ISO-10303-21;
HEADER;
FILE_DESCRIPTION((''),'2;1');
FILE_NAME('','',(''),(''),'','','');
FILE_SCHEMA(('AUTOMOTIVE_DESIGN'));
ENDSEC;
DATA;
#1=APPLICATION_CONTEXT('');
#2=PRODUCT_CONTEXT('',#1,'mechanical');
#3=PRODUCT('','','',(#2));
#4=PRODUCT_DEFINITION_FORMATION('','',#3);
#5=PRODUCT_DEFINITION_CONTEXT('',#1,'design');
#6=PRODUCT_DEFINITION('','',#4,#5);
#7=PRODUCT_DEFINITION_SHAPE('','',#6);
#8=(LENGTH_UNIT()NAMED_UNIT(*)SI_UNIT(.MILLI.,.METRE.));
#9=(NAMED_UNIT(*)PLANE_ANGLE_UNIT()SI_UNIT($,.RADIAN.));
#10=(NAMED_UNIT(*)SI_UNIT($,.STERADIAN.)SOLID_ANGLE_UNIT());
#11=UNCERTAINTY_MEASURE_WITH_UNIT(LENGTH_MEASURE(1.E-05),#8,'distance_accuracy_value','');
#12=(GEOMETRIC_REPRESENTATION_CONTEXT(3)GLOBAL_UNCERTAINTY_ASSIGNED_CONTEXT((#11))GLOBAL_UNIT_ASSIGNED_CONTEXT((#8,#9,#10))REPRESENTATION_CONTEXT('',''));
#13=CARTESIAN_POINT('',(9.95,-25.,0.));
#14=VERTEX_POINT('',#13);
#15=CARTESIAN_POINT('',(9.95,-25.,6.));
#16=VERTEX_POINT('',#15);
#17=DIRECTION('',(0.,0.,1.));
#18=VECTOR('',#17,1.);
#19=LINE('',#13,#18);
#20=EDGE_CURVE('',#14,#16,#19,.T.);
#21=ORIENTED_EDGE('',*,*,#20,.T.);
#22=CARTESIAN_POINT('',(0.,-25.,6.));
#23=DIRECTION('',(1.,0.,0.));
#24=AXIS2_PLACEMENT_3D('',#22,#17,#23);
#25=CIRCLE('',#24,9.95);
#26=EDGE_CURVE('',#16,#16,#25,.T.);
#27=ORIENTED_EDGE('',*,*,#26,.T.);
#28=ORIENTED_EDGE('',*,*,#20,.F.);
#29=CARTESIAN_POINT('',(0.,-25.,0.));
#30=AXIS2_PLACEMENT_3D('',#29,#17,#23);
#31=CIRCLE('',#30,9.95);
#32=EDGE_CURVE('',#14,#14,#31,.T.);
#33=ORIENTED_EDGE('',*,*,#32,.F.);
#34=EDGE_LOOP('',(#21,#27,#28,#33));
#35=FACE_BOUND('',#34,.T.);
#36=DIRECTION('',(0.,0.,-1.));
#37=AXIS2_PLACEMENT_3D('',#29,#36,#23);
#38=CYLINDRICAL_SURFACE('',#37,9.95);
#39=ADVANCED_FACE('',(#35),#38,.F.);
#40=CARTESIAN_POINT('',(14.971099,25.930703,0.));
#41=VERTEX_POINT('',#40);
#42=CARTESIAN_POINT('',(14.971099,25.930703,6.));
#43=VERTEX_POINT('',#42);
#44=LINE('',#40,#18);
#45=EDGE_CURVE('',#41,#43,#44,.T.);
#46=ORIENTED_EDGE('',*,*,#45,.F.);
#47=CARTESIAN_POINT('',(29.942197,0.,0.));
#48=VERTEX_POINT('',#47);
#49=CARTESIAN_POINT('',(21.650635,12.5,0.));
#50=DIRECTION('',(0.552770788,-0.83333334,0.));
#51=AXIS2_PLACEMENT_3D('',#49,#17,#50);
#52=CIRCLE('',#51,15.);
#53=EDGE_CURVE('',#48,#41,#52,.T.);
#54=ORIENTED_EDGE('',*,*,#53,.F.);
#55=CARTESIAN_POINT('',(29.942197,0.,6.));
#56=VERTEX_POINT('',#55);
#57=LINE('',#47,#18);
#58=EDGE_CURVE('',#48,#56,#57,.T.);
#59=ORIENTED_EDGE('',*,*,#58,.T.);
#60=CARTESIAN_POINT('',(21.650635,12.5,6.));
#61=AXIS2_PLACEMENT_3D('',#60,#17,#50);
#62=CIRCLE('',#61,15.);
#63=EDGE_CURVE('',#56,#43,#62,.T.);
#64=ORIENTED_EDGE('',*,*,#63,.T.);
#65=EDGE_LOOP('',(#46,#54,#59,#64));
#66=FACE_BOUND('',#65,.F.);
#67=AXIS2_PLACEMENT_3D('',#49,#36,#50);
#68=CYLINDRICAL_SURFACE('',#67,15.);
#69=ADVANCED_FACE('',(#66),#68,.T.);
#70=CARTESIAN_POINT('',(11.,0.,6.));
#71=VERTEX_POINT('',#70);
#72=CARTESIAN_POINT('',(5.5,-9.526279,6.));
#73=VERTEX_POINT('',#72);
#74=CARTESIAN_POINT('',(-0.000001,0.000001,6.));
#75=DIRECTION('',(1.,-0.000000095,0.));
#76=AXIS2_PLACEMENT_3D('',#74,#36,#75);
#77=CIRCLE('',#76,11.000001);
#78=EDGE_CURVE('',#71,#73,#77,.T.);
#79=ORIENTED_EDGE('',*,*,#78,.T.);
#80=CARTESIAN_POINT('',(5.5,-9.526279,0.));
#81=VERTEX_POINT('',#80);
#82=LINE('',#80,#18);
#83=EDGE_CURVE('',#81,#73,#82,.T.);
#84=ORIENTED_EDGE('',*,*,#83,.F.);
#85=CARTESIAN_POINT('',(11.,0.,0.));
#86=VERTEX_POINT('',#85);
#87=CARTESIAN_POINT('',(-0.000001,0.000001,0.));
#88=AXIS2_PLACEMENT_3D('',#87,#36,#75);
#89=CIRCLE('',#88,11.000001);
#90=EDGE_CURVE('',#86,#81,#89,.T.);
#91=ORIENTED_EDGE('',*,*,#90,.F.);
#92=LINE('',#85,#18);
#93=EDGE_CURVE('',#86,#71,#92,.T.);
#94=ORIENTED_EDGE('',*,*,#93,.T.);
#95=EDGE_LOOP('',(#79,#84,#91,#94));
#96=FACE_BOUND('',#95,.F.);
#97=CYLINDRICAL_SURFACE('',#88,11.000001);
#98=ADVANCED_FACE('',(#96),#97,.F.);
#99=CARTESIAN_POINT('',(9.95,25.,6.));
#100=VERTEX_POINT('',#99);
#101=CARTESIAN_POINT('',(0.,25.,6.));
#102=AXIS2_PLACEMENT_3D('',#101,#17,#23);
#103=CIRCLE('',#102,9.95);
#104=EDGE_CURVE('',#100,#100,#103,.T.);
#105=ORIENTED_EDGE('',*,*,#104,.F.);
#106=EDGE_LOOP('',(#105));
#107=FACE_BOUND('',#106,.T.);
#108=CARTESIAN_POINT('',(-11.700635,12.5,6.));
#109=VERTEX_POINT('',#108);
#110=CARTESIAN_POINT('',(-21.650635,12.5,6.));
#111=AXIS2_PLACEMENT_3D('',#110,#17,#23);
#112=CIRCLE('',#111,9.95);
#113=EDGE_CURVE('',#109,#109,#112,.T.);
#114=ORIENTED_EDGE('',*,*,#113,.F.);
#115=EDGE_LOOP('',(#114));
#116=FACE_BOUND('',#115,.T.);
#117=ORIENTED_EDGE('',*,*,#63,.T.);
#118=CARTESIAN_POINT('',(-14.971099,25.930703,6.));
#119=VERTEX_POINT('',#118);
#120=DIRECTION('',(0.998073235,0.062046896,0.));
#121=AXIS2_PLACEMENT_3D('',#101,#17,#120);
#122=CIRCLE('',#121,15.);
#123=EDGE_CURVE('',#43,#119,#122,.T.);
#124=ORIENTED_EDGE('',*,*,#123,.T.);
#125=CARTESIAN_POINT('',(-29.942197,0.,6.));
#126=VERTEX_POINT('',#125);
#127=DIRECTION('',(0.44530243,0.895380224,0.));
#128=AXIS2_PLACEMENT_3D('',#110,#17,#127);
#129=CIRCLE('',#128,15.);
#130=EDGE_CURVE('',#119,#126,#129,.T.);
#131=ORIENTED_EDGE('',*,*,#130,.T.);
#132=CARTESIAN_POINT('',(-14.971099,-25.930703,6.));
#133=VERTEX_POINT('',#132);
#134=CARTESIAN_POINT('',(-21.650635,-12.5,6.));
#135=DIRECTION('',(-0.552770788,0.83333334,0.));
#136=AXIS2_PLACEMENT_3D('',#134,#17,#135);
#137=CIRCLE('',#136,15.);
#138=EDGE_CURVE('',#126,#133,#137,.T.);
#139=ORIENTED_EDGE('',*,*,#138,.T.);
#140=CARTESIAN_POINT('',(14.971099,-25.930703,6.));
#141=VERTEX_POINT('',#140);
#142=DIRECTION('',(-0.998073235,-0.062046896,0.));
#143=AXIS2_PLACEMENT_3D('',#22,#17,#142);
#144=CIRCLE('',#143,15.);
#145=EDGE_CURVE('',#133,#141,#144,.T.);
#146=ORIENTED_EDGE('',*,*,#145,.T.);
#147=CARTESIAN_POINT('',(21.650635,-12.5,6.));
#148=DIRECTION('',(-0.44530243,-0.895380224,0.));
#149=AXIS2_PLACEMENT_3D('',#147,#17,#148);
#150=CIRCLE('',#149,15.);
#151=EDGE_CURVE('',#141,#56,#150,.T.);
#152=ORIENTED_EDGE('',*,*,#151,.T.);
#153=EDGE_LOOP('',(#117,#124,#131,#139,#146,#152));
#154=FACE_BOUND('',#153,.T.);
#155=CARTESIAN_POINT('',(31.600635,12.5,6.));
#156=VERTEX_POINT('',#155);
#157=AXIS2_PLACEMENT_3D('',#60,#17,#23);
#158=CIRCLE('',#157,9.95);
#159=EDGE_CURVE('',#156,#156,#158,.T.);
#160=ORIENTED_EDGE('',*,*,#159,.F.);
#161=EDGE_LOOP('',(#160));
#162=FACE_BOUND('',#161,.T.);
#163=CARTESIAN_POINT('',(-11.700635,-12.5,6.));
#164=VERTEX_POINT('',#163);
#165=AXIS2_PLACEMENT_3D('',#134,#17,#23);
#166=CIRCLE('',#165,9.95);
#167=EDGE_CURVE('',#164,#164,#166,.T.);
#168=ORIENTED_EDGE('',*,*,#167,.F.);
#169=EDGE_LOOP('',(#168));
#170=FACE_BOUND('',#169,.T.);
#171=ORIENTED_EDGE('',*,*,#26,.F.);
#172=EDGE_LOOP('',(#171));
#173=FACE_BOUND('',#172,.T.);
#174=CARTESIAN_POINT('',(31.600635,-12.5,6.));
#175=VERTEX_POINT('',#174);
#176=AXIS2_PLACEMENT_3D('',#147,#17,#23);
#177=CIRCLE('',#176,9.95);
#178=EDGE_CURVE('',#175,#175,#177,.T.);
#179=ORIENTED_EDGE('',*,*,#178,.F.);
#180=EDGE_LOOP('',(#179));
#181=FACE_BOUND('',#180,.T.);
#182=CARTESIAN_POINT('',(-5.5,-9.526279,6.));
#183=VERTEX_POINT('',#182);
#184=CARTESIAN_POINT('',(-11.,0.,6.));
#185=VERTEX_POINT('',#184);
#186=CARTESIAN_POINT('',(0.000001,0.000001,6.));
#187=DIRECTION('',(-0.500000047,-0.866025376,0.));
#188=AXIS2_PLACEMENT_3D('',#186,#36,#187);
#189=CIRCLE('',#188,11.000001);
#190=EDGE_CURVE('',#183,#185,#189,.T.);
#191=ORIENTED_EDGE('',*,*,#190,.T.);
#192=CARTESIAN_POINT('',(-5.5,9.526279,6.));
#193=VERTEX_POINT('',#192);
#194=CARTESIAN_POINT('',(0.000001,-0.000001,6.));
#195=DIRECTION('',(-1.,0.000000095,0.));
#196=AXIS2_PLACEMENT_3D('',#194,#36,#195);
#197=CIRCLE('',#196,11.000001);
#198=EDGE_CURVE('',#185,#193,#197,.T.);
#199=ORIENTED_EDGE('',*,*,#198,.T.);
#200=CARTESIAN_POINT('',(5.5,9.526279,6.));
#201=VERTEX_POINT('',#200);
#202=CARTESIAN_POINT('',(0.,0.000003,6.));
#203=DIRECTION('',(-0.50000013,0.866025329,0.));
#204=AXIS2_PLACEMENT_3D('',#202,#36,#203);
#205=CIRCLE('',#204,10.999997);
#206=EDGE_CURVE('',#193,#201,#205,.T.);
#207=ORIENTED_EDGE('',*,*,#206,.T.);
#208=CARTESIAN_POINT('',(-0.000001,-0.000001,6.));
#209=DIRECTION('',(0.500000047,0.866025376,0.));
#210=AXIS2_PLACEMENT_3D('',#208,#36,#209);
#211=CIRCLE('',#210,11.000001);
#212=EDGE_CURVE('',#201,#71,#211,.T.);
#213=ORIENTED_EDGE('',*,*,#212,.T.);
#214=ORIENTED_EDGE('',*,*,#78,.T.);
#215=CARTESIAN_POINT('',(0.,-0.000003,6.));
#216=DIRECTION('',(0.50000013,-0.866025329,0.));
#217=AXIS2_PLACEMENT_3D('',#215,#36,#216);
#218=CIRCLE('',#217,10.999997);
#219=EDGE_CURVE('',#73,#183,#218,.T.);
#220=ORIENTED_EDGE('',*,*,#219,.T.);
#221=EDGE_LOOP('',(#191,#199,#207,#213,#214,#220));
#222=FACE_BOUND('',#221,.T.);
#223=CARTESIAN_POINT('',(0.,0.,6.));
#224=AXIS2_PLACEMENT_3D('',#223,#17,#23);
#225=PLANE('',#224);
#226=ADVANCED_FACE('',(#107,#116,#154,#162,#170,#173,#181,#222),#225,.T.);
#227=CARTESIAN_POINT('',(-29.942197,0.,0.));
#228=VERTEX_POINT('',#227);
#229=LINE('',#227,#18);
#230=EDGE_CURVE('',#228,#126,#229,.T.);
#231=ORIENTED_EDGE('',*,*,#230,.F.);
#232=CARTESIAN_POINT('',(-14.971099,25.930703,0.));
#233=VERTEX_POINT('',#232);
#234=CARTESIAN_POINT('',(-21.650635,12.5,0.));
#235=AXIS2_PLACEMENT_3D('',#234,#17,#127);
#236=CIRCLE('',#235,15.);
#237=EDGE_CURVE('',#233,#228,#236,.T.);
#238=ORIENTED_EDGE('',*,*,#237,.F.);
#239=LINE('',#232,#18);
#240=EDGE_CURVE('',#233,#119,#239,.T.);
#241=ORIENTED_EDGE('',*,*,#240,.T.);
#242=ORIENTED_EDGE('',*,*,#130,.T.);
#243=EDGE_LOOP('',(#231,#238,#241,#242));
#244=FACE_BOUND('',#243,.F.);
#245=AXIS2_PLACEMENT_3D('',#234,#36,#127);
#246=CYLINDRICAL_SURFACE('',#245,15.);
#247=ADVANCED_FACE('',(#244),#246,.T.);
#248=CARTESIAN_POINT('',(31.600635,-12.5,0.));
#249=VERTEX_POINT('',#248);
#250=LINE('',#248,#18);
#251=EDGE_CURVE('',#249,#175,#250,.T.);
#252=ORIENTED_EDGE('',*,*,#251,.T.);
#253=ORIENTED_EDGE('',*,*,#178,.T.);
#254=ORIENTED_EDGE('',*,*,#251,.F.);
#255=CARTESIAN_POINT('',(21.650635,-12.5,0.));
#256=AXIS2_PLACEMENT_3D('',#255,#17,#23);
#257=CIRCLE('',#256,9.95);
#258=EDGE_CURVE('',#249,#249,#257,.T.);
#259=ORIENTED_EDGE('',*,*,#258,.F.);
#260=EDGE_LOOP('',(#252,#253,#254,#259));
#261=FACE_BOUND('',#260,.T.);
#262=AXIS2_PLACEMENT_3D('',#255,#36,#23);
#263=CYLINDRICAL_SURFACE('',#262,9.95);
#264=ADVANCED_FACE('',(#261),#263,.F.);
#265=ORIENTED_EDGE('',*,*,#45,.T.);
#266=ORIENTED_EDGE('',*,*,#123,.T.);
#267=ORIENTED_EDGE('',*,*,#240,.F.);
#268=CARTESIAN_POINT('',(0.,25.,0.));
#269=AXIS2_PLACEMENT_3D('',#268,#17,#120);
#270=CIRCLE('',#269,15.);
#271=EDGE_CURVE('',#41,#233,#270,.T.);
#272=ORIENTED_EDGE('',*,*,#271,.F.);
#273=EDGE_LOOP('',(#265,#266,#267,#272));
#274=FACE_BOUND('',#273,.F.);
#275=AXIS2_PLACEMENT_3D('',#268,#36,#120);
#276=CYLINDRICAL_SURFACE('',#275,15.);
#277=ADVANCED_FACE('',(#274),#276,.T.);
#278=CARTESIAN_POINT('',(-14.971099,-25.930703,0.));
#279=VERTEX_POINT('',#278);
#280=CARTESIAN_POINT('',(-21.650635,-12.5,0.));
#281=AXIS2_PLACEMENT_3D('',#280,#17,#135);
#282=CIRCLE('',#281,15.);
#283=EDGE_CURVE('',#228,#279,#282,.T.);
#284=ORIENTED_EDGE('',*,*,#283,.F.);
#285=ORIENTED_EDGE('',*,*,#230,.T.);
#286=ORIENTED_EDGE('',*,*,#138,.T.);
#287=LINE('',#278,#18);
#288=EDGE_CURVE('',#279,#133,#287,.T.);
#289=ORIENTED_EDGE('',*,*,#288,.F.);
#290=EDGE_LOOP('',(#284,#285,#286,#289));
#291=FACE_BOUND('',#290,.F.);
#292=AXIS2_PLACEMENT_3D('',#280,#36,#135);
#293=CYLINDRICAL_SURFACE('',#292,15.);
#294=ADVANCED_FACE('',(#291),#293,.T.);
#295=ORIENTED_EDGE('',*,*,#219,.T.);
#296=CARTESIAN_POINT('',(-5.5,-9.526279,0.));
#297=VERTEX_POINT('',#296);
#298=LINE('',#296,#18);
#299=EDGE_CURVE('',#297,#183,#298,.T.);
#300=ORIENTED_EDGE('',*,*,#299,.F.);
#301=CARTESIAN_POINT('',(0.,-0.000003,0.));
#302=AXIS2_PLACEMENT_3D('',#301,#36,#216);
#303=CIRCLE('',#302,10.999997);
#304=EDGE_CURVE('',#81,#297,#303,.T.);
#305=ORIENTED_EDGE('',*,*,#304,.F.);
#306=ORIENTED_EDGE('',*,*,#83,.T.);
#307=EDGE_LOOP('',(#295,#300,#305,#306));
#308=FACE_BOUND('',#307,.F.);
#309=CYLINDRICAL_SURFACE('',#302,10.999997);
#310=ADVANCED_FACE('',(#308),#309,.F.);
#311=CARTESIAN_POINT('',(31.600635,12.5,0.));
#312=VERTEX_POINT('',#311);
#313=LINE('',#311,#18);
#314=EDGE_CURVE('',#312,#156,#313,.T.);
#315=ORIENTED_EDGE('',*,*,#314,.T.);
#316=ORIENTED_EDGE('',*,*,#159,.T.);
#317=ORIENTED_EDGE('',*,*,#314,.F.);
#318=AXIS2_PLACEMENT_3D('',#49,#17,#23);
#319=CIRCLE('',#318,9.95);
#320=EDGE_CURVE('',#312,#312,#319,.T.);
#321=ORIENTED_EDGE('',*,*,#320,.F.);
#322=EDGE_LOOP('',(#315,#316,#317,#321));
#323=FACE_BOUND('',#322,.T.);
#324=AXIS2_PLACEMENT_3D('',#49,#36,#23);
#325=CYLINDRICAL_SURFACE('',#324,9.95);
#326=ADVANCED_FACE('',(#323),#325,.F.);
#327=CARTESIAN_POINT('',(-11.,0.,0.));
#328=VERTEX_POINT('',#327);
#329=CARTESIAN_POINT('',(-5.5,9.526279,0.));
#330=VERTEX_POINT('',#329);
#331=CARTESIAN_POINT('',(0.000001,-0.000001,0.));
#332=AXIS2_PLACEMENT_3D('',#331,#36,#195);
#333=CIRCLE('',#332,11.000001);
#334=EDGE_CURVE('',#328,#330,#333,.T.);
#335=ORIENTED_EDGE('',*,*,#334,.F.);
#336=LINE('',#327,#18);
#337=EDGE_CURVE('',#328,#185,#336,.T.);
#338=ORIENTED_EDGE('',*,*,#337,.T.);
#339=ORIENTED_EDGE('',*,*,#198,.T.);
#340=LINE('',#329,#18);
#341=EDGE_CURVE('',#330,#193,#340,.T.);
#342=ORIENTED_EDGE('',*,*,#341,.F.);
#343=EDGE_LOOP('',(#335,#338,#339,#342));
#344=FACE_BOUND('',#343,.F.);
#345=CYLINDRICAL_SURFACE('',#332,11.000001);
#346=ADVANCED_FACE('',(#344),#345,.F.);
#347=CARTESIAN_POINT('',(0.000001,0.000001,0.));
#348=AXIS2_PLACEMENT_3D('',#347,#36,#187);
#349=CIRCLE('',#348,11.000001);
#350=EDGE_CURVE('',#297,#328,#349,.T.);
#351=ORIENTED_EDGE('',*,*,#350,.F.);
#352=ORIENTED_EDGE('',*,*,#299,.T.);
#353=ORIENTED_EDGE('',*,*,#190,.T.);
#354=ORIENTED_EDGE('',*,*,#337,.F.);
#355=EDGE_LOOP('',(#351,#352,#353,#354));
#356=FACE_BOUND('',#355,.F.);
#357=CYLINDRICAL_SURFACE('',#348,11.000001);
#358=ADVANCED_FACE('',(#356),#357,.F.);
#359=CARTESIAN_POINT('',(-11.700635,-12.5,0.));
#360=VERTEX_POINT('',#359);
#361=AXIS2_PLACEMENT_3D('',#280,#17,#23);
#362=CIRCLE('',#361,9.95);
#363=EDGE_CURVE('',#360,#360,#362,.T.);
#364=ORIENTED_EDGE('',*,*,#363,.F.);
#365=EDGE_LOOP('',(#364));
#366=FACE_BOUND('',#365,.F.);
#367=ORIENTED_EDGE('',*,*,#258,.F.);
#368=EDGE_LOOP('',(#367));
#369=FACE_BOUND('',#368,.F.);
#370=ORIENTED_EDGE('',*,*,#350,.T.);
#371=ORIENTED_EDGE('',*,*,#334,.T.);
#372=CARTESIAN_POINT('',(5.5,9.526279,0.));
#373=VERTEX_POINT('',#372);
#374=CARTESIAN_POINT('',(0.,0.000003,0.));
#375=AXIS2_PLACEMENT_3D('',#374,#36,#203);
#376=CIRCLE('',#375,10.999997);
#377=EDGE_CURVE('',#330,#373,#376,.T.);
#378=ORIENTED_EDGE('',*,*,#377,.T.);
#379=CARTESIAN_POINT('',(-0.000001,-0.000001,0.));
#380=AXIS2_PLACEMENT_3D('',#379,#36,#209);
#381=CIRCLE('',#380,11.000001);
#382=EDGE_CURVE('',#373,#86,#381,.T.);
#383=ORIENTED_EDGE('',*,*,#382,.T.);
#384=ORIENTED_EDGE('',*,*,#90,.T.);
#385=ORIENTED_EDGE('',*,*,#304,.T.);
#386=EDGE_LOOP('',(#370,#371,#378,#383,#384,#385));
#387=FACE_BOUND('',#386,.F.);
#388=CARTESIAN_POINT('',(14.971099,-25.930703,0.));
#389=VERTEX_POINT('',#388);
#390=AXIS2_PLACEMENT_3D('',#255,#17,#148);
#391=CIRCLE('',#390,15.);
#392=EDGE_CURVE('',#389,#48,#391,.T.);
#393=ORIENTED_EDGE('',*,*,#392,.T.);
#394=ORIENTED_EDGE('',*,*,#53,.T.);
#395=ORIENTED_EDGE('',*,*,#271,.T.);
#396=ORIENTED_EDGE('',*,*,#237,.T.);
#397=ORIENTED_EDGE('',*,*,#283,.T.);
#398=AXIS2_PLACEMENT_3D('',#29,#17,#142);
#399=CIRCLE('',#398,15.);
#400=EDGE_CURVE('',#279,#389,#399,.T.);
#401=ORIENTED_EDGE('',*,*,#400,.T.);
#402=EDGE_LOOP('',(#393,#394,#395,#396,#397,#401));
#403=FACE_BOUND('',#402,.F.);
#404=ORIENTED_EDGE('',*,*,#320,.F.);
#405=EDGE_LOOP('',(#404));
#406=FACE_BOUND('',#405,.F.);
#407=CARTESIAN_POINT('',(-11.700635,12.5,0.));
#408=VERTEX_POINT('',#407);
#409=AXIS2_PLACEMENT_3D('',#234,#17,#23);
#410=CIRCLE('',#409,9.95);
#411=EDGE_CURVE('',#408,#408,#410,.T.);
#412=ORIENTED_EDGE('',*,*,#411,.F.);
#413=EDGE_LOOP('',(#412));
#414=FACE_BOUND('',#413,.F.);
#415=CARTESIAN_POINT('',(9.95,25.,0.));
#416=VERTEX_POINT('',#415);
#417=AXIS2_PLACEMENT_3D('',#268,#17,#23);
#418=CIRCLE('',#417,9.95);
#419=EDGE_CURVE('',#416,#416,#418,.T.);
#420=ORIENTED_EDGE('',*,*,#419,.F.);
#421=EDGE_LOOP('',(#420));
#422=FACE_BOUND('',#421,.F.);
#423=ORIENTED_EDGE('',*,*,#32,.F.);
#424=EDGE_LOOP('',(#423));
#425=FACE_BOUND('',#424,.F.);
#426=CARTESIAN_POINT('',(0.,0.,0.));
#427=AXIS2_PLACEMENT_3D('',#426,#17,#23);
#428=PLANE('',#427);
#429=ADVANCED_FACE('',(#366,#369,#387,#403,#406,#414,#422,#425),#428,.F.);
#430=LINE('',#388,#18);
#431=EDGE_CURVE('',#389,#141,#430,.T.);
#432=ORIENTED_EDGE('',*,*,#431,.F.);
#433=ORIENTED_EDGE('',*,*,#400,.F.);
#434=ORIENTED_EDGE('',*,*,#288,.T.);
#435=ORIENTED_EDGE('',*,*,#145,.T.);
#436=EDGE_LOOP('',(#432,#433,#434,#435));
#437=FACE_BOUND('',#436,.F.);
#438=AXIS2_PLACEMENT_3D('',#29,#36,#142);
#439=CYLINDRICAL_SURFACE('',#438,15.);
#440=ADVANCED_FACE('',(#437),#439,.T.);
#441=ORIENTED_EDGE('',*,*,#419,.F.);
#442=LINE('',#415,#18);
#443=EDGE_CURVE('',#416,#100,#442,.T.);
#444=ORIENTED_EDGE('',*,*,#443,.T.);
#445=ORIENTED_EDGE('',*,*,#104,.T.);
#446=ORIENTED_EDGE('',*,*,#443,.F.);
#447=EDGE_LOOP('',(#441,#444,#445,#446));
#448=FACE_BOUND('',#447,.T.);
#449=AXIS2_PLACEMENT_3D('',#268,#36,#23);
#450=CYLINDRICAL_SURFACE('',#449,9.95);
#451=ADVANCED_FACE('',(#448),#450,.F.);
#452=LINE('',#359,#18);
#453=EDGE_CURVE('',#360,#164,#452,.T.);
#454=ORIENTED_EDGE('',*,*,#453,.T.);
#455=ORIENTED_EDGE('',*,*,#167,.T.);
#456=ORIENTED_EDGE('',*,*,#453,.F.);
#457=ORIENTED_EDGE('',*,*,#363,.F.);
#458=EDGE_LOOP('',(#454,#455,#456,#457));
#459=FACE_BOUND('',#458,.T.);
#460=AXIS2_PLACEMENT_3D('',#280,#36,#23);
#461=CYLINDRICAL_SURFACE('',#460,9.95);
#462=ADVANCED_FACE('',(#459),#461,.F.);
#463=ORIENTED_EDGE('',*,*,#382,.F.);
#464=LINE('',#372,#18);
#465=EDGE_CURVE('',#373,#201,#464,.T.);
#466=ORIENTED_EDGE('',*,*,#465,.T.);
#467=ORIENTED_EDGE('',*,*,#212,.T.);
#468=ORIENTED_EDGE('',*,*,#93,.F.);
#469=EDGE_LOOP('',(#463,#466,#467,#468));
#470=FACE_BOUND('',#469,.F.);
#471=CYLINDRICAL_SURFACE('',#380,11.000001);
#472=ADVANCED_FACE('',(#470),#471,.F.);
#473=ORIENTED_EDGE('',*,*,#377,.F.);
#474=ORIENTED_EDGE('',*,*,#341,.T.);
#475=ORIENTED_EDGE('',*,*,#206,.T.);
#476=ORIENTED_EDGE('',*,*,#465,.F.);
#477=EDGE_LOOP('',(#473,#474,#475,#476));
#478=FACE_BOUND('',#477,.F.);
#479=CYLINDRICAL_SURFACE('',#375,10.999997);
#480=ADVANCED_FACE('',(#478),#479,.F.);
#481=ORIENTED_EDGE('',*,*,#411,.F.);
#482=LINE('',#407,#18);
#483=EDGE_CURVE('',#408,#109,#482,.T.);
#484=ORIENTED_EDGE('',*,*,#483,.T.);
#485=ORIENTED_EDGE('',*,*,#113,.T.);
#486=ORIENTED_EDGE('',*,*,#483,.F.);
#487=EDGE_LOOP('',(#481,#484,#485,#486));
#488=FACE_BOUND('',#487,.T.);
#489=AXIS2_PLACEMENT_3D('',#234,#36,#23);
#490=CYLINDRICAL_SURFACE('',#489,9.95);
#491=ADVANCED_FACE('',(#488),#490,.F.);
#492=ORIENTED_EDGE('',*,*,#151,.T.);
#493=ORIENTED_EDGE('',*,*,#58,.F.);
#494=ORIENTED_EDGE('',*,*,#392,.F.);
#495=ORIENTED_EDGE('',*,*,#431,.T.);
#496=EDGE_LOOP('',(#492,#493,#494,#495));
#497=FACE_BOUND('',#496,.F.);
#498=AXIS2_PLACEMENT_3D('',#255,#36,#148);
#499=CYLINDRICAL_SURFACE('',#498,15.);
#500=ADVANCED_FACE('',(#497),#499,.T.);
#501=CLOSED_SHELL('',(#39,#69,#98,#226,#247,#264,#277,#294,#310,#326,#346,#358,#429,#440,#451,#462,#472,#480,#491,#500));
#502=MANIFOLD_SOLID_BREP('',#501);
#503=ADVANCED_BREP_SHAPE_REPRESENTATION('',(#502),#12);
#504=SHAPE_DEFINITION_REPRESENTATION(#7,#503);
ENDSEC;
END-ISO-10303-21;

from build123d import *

# Parameters (mm, degrees)
F0_R     = 9.95
F1_DEPTH = 6


with BuildPart() as f1:
    # F0 (on Top) → F1 (new body)
    with BuildSketch(Plane.XY):
        with BuildLine():
            ThreePointArc((29.942197, 0), (34.641016, 20), (14.971099, 25.930703))
            ThreePointArc((14.971099, 25.930703), (0, 40), (-14.971099, 25.930703))
            ThreePointArc((-14.971099, 25.930703), (-34.641016, 20), (-29.942197, 0))
            ThreePointArc((-29.942197, 0), (-34.641016, -20), (-14.971099, -25.930703))
            ThreePointArc((-14.971099, -25.930703), (0, -40), (14.971099, -25.930703))
            ThreePointArc((14.971099, -25.930703), (34.641016, -20), (29.942197, 0))
        make_face()
        with Locations((0, -25)):
            Circle(F0_R, mode=Mode.SUBTRACT)
        with Locations((-21.650635, -12.5)):
            Circle(F0_R, mode=Mode.SUBTRACT)
        with Locations((21.650635, -12.5)):
            Circle(F0_R, mode=Mode.SUBTRACT)
        with Locations((-21.650635, 12.5)):
            Circle(F0_R, mode=Mode.SUBTRACT)
        with BuildLine():
            ThreePointArc((-5.5, 9.526279), (0, 11), (5.5, 9.526279))
            ThreePointArc((5.5, 9.526279), (9.526279, 5.5), (11, 0))
            ThreePointArc((11, 0), (9.526279, -5.5), (5.5, -9.526279))
            ThreePointArc((5.5, -9.526279), (0, -11), (-5.5, -9.526279))
            ThreePointArc((-5.5, -9.526279), (-9.526279, -5.5), (-11, 0))
            ThreePointArc((-11, 0), (-9.526279, 5.5), (-5.5, 9.526279))
        make_face(mode=Mode.SUBTRACT)
        with Locations((0, 25)):
            Circle(F0_R, mode=Mode.SUBTRACT)
        with Locations((21.650635, 12.5)):
            Circle(F0_R, mode=Mode.SUBTRACT)
    extrude(amount=F1_DEPTH)


solid = f1.part
